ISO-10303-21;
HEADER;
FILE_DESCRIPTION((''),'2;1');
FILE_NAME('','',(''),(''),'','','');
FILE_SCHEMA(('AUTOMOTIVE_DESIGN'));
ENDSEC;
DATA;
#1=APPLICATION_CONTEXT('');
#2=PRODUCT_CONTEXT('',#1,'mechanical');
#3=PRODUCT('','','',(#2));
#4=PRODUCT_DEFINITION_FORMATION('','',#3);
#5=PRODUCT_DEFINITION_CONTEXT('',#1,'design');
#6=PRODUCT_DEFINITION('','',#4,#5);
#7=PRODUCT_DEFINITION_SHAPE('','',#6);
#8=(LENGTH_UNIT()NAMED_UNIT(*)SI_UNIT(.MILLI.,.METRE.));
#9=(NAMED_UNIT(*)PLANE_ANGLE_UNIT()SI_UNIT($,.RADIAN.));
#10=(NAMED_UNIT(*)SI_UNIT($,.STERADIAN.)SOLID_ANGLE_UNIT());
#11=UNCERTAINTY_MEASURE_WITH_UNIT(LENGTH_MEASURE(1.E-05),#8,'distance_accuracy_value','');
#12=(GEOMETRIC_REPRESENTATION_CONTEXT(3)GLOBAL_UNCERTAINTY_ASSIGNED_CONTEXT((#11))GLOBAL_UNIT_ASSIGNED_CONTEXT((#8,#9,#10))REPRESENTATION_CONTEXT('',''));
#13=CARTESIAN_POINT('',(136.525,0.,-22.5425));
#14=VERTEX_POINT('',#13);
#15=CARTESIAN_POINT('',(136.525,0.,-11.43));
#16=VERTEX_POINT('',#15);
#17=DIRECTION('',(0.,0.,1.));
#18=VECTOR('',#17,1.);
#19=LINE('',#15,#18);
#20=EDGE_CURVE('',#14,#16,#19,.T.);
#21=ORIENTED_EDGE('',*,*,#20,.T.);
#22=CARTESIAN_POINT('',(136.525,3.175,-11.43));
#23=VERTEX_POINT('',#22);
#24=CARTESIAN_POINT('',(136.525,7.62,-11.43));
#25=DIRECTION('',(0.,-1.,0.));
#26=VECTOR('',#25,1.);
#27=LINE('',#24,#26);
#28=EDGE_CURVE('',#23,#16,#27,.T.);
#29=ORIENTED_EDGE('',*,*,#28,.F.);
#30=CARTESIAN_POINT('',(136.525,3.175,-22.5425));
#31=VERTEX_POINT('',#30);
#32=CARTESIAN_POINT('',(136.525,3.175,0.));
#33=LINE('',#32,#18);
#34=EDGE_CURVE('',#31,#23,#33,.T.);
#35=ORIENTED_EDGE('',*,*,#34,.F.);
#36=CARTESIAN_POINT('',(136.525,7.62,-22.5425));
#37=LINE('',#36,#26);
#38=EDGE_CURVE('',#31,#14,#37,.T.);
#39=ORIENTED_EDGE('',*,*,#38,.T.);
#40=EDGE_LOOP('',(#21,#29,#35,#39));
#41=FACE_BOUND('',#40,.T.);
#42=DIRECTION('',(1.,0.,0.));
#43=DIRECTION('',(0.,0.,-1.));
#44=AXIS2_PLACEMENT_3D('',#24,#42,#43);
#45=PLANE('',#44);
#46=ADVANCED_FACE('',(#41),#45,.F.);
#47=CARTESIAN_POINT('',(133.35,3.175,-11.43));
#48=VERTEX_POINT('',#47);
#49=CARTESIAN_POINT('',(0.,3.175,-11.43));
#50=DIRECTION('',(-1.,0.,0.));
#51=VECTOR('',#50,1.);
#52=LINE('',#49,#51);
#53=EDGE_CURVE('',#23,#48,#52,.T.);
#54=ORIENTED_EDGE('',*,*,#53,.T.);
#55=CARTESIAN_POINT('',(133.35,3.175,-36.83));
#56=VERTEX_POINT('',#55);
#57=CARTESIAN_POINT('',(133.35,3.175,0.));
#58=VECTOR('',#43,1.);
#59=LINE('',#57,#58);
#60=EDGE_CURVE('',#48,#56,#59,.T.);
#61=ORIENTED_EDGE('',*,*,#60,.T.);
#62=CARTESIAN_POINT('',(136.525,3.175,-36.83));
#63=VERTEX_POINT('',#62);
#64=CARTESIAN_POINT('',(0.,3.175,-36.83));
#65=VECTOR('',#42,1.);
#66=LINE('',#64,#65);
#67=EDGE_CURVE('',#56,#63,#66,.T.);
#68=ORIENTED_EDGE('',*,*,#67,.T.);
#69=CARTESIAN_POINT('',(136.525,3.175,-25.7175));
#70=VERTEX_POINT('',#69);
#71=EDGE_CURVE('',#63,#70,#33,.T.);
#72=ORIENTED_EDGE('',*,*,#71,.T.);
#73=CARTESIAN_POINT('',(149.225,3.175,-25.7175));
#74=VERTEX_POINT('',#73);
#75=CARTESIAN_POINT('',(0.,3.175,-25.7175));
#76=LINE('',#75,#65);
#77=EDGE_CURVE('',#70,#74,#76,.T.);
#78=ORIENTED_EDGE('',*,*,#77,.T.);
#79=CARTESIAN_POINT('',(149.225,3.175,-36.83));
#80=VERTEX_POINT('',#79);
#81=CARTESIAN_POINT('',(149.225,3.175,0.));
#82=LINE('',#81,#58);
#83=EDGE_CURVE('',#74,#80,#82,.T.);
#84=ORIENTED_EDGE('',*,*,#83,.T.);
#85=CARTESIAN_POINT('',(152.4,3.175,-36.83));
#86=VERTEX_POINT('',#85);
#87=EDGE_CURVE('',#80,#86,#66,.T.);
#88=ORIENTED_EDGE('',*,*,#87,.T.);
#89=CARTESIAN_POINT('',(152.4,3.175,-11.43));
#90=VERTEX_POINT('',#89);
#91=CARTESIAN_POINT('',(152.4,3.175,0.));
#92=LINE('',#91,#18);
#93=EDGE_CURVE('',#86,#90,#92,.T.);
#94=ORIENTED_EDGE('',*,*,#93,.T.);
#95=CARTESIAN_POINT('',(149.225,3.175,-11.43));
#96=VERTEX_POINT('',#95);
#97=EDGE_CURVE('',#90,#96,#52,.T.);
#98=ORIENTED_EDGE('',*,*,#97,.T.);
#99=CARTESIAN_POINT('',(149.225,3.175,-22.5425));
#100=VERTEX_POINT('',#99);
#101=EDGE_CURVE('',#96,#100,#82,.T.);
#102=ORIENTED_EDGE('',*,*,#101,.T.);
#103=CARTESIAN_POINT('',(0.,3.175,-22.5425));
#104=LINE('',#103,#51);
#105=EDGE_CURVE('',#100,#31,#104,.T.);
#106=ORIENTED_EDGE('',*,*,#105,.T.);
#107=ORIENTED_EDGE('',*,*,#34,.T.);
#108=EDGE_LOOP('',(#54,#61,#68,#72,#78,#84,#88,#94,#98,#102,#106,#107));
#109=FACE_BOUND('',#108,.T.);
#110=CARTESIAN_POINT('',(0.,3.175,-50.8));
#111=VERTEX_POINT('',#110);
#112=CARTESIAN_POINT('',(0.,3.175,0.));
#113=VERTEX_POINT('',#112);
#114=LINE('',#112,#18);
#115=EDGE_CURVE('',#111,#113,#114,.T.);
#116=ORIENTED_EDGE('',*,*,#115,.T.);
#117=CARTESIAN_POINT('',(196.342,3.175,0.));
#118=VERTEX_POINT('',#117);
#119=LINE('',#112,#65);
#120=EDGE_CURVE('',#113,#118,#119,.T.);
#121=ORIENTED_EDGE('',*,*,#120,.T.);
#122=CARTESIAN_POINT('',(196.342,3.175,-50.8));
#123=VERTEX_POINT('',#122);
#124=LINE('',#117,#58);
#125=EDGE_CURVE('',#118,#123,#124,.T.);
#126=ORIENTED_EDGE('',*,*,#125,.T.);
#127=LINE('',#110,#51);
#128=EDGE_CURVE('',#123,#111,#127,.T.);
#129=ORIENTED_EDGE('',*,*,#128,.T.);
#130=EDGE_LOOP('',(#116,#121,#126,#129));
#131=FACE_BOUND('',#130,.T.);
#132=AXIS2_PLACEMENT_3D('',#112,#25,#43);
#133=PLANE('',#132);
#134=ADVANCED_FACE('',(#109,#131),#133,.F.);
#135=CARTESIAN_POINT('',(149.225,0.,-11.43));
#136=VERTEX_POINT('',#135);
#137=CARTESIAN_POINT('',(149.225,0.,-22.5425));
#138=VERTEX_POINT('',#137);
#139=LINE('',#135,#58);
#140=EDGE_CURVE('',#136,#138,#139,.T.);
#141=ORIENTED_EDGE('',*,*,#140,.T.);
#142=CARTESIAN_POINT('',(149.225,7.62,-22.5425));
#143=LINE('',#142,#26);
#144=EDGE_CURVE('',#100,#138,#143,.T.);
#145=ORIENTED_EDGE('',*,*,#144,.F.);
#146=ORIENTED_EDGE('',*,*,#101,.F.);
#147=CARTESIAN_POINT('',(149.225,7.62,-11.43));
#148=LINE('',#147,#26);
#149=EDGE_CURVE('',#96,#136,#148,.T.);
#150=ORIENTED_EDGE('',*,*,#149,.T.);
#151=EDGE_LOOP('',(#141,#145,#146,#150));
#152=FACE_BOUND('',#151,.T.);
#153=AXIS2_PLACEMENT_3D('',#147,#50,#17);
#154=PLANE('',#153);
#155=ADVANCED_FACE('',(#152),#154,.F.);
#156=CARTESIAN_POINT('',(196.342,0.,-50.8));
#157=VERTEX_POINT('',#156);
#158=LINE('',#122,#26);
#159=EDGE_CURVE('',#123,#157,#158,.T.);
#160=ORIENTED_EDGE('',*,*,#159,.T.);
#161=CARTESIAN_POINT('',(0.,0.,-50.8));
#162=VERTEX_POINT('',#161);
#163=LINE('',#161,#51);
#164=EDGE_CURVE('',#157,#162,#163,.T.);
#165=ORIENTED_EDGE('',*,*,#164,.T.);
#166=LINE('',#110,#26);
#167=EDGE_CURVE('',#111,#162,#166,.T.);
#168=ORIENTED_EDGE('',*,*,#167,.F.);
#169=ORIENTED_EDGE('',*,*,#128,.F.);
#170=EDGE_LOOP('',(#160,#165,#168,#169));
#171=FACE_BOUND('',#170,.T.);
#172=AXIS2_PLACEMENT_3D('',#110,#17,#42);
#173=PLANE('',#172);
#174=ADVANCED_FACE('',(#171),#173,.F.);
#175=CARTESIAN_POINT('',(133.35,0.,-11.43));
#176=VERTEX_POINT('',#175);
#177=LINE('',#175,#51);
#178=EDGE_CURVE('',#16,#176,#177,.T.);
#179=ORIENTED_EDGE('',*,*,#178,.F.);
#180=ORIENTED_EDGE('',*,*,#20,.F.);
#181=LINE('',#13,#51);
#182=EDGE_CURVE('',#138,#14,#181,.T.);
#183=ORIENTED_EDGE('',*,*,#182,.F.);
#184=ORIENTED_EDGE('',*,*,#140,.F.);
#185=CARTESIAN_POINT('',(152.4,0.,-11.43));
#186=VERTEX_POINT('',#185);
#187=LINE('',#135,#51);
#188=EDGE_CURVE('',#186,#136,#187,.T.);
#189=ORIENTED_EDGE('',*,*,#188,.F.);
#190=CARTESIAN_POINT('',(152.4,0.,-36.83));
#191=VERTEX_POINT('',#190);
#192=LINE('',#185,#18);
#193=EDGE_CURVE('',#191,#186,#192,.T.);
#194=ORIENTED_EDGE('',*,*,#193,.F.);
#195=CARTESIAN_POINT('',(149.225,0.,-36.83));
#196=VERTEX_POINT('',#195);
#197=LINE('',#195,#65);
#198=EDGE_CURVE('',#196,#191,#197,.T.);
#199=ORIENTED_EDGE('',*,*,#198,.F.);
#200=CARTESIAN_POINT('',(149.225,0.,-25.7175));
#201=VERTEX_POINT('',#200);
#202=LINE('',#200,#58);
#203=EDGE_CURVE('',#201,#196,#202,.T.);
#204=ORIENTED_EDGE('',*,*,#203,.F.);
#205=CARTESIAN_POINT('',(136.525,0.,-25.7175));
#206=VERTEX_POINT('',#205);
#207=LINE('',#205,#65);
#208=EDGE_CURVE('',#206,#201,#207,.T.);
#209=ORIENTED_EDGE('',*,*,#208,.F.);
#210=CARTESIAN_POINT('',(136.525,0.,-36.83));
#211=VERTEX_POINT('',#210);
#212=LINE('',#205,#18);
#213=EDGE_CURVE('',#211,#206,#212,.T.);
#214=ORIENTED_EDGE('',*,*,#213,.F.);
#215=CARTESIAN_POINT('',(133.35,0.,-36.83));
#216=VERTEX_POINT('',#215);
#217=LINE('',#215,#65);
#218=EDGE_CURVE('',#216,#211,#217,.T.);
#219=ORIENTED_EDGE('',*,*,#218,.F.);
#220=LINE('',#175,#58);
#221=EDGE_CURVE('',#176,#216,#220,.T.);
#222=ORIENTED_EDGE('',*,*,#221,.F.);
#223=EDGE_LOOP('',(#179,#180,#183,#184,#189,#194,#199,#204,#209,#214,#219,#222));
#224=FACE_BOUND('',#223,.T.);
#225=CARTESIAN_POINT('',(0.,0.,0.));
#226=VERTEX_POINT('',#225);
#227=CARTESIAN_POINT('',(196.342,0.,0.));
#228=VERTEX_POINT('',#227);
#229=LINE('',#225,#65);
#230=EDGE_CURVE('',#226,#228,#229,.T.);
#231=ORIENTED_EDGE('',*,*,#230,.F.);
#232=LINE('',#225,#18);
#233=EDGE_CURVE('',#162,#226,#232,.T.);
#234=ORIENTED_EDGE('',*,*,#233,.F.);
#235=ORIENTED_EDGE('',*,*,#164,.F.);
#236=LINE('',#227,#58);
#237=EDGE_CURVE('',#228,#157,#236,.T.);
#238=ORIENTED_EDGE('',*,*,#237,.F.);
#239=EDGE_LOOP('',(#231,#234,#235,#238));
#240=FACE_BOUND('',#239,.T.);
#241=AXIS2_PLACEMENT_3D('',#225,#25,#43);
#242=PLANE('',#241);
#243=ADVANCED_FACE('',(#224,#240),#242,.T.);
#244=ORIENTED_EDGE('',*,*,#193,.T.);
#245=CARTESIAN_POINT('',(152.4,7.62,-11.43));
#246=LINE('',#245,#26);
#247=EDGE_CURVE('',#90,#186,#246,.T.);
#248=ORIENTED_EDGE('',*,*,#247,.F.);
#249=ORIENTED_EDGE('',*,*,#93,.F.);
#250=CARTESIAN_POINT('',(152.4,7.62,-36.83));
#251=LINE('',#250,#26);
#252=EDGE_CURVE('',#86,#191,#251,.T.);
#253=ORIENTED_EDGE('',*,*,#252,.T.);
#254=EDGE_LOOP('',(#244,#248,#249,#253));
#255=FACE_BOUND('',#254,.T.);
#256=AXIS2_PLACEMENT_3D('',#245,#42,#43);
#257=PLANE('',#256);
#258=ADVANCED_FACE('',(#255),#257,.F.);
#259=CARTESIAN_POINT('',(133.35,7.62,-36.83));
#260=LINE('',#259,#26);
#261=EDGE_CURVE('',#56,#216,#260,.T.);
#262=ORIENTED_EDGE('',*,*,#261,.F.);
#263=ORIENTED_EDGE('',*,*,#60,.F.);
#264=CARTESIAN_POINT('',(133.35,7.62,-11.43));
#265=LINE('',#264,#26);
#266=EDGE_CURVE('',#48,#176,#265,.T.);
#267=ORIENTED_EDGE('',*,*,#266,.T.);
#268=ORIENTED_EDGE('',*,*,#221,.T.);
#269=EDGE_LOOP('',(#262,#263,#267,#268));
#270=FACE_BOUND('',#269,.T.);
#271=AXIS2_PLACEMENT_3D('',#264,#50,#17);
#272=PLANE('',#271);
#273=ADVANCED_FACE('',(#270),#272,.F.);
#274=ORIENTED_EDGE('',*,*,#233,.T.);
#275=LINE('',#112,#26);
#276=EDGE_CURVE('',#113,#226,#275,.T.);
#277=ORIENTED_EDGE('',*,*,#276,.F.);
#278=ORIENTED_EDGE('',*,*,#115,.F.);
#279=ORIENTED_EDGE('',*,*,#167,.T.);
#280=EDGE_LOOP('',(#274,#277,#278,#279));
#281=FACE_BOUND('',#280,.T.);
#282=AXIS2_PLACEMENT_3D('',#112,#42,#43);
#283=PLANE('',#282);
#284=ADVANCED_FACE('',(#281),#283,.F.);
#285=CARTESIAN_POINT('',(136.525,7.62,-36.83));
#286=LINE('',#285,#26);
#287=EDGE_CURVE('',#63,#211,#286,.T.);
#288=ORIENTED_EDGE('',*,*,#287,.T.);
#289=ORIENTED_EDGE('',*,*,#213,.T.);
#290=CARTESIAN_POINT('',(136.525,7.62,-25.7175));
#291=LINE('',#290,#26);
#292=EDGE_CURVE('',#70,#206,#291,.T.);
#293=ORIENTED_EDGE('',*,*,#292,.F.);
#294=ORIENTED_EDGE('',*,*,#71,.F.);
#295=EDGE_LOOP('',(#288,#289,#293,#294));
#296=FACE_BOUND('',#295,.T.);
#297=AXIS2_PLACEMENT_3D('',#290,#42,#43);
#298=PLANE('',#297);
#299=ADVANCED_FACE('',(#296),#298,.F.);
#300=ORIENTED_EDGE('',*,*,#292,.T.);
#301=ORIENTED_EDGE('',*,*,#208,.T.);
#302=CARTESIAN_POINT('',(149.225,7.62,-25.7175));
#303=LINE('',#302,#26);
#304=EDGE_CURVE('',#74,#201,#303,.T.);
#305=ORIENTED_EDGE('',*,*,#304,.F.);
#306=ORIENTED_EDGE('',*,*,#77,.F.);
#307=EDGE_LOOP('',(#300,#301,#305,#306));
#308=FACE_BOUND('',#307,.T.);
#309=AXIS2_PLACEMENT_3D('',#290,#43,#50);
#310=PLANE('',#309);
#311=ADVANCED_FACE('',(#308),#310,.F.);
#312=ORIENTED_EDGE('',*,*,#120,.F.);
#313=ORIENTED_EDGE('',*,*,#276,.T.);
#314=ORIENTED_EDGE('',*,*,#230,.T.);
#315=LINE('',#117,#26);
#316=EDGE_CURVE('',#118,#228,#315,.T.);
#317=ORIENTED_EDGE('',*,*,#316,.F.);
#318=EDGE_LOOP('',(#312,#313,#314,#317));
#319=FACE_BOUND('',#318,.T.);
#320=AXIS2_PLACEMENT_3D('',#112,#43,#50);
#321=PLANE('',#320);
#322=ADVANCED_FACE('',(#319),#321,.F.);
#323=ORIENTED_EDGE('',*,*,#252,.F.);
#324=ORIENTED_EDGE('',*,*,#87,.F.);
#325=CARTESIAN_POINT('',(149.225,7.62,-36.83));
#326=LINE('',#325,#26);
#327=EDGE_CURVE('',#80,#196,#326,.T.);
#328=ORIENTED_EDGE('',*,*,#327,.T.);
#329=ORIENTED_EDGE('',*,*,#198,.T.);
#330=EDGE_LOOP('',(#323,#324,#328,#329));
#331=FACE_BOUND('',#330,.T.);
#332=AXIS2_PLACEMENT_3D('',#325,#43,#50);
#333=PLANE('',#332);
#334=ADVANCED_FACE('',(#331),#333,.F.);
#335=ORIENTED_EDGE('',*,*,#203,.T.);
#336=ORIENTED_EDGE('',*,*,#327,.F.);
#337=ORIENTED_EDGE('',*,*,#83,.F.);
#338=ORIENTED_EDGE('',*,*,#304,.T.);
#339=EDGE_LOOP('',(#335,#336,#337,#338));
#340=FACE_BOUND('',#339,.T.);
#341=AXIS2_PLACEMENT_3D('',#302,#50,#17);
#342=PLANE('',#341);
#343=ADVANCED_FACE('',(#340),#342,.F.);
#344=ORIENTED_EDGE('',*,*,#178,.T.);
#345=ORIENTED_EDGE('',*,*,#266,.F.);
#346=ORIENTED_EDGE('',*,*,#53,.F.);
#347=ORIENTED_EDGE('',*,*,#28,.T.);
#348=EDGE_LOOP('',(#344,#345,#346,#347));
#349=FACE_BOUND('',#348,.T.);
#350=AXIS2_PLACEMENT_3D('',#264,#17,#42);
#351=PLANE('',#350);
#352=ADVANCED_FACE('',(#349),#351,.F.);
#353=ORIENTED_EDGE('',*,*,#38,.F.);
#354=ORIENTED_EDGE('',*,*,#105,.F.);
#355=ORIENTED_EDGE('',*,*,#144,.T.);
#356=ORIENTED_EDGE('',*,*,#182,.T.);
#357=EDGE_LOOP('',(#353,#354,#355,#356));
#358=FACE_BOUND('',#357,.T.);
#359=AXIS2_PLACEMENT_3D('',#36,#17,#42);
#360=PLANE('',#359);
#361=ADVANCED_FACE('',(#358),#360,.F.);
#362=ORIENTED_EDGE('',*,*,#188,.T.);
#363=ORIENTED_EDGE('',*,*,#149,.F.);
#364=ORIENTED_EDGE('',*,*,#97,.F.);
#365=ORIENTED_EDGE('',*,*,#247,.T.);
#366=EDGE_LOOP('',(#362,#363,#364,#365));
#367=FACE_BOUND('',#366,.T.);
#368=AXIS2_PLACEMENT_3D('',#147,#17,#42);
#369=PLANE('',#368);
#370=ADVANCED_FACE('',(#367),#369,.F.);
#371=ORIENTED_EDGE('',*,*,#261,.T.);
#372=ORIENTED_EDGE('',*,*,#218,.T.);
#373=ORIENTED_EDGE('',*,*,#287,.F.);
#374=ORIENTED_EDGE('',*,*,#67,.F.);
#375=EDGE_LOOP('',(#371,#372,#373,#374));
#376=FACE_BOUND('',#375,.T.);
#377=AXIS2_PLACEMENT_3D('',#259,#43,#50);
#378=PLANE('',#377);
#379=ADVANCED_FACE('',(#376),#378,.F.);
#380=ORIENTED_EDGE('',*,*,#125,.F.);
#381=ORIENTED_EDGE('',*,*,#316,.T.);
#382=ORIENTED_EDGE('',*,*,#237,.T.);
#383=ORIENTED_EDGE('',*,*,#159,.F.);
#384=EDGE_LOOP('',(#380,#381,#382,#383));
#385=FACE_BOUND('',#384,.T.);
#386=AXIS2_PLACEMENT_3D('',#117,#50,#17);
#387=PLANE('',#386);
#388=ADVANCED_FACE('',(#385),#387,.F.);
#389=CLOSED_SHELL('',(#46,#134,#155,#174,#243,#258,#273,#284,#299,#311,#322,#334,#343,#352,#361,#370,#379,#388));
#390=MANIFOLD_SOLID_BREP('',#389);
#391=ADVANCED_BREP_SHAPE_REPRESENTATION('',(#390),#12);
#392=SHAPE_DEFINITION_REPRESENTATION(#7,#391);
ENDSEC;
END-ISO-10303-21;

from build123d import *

# Parameters (mm, degrees)
SKETCH1_W           = 196.342
SKETCH1_H           = 50.8
BOSS_EXTRUDE1_DEPTH = 3.175
CUT_EXTRUDE1_DEPTH  = 7.62


with BuildPart() as part:
    # Sketch1 → Boss-Extrude1 (new body)
    with BuildSketch(Plane(origin=(0, 0, 0), x_dir=(1, 0, 0), z_dir=(0, 1, 0))):
        with Locations((98.171, 25.4)):
            Rectangle(SKETCH1_W, SKETCH1_H)
    extrude(amount=BOSS_EXTRUDE1_DEPTH)

    # Sketch2 → Cut-Extrude1 (cut)
    with BuildSketch(Plane.XZ):
        Polygon((136.525, -25.7175), (136.525, -36.83), (133.35, -36.83), (133.35, -11.43), (136.525, -11.43), (136.525, -22.5425), (149.225, -22.5425), (149.225, -11.43), (152.4, -11.43), (152.4, -36.83), (149.225, -36.83), (149.225, -25.7175), align=None)
    extrude(amount=-CUT_EXTRUDE1_DEPTH, mode=Mode.SUBTRACT)


solid = part.part
